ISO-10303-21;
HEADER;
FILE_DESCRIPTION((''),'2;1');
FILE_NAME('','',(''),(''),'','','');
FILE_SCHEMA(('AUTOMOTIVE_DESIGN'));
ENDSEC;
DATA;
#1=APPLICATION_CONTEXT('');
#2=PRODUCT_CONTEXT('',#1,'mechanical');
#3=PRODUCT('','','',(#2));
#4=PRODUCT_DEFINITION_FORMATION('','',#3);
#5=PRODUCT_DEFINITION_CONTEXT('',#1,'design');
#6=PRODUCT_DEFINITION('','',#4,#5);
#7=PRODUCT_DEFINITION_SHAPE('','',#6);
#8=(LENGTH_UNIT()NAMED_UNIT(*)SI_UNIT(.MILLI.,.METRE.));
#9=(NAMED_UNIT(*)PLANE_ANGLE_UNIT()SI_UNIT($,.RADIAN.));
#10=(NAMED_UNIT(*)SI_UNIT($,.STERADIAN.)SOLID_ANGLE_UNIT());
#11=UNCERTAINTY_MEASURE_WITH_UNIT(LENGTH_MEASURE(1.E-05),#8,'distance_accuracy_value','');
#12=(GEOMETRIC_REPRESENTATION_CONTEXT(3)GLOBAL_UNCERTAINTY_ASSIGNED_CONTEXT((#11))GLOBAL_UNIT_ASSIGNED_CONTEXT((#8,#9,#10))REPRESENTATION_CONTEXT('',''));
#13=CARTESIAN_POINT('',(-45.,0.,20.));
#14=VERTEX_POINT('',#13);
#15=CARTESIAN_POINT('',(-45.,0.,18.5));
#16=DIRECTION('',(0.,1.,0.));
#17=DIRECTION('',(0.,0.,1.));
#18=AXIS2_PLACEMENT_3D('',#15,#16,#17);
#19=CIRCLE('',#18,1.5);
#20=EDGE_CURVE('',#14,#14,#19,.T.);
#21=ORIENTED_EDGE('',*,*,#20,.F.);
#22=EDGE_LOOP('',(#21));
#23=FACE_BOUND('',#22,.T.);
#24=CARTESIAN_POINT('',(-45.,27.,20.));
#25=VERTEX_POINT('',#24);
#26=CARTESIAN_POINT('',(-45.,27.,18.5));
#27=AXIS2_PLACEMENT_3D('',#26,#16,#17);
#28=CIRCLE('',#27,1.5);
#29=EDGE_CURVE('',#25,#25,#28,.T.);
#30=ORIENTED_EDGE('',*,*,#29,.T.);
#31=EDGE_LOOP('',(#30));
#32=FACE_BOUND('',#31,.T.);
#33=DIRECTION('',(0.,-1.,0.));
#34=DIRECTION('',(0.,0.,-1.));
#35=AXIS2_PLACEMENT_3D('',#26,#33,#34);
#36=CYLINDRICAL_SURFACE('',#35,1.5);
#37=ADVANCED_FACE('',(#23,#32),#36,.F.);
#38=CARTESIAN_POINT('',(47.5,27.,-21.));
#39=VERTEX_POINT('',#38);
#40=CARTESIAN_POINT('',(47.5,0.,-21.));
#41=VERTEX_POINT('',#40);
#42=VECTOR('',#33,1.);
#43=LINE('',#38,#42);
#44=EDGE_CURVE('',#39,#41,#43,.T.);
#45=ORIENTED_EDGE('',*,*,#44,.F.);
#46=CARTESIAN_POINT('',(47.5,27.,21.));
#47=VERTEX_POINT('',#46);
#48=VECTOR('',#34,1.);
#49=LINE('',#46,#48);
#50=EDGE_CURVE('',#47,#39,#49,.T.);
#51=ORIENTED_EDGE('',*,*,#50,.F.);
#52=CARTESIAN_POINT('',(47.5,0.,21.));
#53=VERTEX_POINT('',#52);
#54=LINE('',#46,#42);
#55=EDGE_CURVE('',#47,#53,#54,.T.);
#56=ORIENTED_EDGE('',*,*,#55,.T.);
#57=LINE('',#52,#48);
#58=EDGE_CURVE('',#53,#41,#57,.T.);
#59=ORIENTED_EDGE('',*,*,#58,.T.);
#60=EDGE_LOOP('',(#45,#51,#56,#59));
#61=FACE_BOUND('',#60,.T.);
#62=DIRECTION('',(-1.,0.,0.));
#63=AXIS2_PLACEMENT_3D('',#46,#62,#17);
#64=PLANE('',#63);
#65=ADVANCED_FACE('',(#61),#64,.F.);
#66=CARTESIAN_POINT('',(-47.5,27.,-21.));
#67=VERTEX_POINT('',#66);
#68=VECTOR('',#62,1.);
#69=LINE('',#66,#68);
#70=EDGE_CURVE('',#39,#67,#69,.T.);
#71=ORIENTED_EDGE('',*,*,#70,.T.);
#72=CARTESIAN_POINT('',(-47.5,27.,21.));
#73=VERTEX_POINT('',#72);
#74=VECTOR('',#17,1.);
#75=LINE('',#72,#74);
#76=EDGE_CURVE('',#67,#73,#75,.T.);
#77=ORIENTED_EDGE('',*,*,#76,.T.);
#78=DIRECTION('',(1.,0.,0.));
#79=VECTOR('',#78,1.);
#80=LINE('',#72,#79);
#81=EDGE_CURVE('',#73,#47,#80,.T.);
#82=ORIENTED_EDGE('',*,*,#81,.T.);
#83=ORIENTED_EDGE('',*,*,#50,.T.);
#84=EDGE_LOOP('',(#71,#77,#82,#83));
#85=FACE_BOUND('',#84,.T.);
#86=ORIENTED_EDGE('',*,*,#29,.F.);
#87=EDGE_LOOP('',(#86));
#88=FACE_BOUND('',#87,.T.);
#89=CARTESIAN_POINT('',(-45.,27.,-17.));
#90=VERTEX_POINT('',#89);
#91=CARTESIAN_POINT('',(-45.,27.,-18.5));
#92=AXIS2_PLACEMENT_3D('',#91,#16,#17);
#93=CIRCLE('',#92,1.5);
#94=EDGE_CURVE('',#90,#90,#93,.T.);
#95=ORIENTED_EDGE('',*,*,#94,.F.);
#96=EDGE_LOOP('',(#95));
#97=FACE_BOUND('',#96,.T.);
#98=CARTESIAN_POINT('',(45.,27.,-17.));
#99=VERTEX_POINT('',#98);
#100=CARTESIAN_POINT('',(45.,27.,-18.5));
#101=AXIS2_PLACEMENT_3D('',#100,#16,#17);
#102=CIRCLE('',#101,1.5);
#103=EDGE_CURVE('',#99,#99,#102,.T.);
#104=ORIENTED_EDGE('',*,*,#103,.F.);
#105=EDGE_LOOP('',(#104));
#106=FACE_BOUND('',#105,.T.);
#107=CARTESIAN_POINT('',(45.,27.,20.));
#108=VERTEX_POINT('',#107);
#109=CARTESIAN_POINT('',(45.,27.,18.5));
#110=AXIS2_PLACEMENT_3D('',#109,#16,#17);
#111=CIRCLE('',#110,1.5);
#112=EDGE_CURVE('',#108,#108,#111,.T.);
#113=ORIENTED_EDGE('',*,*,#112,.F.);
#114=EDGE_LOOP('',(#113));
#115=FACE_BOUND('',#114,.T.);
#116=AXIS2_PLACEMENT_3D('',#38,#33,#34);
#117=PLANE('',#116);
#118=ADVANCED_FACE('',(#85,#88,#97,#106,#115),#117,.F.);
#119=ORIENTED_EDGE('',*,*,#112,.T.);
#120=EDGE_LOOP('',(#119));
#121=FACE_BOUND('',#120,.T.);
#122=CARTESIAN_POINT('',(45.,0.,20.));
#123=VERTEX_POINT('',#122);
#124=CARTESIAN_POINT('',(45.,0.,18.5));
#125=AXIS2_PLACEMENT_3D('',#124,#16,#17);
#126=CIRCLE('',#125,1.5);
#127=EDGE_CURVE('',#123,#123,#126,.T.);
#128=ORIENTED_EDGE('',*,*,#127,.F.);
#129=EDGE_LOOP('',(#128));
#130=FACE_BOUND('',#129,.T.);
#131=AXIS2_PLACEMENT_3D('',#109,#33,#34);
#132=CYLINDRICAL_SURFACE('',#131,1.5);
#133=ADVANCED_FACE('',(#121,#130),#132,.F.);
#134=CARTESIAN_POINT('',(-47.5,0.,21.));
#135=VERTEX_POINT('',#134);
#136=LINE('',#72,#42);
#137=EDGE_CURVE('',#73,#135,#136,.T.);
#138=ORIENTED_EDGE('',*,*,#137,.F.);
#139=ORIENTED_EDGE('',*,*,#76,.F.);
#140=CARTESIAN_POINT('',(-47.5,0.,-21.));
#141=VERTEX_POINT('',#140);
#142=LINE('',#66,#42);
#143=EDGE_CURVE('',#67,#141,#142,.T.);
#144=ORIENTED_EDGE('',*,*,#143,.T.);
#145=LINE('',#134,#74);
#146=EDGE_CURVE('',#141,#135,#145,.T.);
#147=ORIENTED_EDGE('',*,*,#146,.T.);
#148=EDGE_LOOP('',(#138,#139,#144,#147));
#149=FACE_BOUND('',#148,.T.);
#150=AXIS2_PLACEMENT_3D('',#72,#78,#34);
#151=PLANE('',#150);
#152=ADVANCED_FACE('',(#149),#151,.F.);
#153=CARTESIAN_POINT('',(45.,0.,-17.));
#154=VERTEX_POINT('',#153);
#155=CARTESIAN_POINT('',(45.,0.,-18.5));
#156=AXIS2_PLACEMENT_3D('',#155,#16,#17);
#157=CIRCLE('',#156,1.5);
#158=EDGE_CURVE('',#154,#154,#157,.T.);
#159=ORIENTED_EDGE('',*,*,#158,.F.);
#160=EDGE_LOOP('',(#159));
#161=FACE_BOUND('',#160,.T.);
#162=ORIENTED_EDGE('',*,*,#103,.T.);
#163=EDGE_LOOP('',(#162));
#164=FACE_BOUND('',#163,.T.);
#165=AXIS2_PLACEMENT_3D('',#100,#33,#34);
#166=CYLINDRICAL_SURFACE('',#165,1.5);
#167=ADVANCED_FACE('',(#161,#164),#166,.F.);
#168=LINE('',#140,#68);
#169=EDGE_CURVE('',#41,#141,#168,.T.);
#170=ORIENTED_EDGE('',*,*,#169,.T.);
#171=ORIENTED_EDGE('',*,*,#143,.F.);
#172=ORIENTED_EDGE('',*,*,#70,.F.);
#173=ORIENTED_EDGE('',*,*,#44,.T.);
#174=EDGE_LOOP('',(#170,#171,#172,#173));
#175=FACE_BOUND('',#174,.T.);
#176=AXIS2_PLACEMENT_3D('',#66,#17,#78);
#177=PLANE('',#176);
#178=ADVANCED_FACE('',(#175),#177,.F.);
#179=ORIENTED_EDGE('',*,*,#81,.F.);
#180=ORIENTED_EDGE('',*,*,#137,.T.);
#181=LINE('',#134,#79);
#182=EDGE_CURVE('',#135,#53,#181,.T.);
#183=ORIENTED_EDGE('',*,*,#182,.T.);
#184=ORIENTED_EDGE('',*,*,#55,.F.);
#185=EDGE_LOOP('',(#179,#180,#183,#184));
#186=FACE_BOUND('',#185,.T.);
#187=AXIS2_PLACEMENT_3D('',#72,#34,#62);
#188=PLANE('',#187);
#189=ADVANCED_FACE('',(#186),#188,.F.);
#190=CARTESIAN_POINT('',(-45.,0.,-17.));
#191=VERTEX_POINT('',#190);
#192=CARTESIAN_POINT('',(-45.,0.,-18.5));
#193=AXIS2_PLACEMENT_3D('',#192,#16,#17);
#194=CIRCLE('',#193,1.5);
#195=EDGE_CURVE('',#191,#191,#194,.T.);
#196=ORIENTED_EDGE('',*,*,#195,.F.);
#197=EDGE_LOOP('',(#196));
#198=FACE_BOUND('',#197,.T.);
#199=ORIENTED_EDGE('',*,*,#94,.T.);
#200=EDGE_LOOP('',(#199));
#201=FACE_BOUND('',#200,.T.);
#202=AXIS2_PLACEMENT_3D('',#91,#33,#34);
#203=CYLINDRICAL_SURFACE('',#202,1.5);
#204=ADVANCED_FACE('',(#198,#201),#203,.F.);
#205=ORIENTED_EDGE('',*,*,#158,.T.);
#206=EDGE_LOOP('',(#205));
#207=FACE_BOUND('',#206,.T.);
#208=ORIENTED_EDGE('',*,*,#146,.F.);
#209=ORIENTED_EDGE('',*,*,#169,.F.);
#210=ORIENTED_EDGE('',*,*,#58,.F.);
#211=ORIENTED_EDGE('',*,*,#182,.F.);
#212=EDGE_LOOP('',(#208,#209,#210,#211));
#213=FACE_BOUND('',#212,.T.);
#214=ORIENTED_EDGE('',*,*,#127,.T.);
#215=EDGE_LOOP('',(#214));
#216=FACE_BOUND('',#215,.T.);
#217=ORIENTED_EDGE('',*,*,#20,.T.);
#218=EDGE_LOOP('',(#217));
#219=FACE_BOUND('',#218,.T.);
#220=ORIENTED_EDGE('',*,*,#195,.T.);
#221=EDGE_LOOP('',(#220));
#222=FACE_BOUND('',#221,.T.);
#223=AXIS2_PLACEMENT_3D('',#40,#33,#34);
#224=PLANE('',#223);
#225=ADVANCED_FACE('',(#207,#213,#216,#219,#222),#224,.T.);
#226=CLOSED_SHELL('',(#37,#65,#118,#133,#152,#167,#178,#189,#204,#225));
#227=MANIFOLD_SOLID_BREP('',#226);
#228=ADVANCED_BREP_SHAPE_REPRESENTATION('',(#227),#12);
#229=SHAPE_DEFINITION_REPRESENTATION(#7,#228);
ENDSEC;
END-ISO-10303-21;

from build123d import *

# Parameters (mm, degrees)
SKETCH1_W           = 95
SKETCH1_H           = 42
SKETCH1_R           = 1.5
BOSS_EXTRUDE1_DEPTH = 27


with BuildPart() as part:
    # Sketch1 → Boss-Extrude1 (new body)
    with BuildSketch(Plane(origin=(0, 0, 0), x_dir=(1, 0, 0), z_dir=(0, 1, 0))):
        Rectangle(SKETCH1_W, SKETCH1_H)
        with Locations(Location((-45, 18.5, 0), (0, 0, 270))):
            Circle(SKETCH1_R, mode=Mode.SUBTRACT)
        with Locations(Location((-45, -18.5, 0), (0, 0, 270))):
            Circle(SKETCH1_R, mode=Mode.SUBTRACT)
        with Locations(Location((45, 18.5, 0), (0, 0, 270))):
            Circle(SKETCH1_R, mode=Mode.SUBTRACT)
        with Locations(Location((45, -18.5, 0), (0, 0, 270))):
            Circle(SKETCH1_R, mode=Mode.SUBTRACT)
    extrude(amount=BOSS_EXTRUDE1_DEPTH)


solid = part.part
